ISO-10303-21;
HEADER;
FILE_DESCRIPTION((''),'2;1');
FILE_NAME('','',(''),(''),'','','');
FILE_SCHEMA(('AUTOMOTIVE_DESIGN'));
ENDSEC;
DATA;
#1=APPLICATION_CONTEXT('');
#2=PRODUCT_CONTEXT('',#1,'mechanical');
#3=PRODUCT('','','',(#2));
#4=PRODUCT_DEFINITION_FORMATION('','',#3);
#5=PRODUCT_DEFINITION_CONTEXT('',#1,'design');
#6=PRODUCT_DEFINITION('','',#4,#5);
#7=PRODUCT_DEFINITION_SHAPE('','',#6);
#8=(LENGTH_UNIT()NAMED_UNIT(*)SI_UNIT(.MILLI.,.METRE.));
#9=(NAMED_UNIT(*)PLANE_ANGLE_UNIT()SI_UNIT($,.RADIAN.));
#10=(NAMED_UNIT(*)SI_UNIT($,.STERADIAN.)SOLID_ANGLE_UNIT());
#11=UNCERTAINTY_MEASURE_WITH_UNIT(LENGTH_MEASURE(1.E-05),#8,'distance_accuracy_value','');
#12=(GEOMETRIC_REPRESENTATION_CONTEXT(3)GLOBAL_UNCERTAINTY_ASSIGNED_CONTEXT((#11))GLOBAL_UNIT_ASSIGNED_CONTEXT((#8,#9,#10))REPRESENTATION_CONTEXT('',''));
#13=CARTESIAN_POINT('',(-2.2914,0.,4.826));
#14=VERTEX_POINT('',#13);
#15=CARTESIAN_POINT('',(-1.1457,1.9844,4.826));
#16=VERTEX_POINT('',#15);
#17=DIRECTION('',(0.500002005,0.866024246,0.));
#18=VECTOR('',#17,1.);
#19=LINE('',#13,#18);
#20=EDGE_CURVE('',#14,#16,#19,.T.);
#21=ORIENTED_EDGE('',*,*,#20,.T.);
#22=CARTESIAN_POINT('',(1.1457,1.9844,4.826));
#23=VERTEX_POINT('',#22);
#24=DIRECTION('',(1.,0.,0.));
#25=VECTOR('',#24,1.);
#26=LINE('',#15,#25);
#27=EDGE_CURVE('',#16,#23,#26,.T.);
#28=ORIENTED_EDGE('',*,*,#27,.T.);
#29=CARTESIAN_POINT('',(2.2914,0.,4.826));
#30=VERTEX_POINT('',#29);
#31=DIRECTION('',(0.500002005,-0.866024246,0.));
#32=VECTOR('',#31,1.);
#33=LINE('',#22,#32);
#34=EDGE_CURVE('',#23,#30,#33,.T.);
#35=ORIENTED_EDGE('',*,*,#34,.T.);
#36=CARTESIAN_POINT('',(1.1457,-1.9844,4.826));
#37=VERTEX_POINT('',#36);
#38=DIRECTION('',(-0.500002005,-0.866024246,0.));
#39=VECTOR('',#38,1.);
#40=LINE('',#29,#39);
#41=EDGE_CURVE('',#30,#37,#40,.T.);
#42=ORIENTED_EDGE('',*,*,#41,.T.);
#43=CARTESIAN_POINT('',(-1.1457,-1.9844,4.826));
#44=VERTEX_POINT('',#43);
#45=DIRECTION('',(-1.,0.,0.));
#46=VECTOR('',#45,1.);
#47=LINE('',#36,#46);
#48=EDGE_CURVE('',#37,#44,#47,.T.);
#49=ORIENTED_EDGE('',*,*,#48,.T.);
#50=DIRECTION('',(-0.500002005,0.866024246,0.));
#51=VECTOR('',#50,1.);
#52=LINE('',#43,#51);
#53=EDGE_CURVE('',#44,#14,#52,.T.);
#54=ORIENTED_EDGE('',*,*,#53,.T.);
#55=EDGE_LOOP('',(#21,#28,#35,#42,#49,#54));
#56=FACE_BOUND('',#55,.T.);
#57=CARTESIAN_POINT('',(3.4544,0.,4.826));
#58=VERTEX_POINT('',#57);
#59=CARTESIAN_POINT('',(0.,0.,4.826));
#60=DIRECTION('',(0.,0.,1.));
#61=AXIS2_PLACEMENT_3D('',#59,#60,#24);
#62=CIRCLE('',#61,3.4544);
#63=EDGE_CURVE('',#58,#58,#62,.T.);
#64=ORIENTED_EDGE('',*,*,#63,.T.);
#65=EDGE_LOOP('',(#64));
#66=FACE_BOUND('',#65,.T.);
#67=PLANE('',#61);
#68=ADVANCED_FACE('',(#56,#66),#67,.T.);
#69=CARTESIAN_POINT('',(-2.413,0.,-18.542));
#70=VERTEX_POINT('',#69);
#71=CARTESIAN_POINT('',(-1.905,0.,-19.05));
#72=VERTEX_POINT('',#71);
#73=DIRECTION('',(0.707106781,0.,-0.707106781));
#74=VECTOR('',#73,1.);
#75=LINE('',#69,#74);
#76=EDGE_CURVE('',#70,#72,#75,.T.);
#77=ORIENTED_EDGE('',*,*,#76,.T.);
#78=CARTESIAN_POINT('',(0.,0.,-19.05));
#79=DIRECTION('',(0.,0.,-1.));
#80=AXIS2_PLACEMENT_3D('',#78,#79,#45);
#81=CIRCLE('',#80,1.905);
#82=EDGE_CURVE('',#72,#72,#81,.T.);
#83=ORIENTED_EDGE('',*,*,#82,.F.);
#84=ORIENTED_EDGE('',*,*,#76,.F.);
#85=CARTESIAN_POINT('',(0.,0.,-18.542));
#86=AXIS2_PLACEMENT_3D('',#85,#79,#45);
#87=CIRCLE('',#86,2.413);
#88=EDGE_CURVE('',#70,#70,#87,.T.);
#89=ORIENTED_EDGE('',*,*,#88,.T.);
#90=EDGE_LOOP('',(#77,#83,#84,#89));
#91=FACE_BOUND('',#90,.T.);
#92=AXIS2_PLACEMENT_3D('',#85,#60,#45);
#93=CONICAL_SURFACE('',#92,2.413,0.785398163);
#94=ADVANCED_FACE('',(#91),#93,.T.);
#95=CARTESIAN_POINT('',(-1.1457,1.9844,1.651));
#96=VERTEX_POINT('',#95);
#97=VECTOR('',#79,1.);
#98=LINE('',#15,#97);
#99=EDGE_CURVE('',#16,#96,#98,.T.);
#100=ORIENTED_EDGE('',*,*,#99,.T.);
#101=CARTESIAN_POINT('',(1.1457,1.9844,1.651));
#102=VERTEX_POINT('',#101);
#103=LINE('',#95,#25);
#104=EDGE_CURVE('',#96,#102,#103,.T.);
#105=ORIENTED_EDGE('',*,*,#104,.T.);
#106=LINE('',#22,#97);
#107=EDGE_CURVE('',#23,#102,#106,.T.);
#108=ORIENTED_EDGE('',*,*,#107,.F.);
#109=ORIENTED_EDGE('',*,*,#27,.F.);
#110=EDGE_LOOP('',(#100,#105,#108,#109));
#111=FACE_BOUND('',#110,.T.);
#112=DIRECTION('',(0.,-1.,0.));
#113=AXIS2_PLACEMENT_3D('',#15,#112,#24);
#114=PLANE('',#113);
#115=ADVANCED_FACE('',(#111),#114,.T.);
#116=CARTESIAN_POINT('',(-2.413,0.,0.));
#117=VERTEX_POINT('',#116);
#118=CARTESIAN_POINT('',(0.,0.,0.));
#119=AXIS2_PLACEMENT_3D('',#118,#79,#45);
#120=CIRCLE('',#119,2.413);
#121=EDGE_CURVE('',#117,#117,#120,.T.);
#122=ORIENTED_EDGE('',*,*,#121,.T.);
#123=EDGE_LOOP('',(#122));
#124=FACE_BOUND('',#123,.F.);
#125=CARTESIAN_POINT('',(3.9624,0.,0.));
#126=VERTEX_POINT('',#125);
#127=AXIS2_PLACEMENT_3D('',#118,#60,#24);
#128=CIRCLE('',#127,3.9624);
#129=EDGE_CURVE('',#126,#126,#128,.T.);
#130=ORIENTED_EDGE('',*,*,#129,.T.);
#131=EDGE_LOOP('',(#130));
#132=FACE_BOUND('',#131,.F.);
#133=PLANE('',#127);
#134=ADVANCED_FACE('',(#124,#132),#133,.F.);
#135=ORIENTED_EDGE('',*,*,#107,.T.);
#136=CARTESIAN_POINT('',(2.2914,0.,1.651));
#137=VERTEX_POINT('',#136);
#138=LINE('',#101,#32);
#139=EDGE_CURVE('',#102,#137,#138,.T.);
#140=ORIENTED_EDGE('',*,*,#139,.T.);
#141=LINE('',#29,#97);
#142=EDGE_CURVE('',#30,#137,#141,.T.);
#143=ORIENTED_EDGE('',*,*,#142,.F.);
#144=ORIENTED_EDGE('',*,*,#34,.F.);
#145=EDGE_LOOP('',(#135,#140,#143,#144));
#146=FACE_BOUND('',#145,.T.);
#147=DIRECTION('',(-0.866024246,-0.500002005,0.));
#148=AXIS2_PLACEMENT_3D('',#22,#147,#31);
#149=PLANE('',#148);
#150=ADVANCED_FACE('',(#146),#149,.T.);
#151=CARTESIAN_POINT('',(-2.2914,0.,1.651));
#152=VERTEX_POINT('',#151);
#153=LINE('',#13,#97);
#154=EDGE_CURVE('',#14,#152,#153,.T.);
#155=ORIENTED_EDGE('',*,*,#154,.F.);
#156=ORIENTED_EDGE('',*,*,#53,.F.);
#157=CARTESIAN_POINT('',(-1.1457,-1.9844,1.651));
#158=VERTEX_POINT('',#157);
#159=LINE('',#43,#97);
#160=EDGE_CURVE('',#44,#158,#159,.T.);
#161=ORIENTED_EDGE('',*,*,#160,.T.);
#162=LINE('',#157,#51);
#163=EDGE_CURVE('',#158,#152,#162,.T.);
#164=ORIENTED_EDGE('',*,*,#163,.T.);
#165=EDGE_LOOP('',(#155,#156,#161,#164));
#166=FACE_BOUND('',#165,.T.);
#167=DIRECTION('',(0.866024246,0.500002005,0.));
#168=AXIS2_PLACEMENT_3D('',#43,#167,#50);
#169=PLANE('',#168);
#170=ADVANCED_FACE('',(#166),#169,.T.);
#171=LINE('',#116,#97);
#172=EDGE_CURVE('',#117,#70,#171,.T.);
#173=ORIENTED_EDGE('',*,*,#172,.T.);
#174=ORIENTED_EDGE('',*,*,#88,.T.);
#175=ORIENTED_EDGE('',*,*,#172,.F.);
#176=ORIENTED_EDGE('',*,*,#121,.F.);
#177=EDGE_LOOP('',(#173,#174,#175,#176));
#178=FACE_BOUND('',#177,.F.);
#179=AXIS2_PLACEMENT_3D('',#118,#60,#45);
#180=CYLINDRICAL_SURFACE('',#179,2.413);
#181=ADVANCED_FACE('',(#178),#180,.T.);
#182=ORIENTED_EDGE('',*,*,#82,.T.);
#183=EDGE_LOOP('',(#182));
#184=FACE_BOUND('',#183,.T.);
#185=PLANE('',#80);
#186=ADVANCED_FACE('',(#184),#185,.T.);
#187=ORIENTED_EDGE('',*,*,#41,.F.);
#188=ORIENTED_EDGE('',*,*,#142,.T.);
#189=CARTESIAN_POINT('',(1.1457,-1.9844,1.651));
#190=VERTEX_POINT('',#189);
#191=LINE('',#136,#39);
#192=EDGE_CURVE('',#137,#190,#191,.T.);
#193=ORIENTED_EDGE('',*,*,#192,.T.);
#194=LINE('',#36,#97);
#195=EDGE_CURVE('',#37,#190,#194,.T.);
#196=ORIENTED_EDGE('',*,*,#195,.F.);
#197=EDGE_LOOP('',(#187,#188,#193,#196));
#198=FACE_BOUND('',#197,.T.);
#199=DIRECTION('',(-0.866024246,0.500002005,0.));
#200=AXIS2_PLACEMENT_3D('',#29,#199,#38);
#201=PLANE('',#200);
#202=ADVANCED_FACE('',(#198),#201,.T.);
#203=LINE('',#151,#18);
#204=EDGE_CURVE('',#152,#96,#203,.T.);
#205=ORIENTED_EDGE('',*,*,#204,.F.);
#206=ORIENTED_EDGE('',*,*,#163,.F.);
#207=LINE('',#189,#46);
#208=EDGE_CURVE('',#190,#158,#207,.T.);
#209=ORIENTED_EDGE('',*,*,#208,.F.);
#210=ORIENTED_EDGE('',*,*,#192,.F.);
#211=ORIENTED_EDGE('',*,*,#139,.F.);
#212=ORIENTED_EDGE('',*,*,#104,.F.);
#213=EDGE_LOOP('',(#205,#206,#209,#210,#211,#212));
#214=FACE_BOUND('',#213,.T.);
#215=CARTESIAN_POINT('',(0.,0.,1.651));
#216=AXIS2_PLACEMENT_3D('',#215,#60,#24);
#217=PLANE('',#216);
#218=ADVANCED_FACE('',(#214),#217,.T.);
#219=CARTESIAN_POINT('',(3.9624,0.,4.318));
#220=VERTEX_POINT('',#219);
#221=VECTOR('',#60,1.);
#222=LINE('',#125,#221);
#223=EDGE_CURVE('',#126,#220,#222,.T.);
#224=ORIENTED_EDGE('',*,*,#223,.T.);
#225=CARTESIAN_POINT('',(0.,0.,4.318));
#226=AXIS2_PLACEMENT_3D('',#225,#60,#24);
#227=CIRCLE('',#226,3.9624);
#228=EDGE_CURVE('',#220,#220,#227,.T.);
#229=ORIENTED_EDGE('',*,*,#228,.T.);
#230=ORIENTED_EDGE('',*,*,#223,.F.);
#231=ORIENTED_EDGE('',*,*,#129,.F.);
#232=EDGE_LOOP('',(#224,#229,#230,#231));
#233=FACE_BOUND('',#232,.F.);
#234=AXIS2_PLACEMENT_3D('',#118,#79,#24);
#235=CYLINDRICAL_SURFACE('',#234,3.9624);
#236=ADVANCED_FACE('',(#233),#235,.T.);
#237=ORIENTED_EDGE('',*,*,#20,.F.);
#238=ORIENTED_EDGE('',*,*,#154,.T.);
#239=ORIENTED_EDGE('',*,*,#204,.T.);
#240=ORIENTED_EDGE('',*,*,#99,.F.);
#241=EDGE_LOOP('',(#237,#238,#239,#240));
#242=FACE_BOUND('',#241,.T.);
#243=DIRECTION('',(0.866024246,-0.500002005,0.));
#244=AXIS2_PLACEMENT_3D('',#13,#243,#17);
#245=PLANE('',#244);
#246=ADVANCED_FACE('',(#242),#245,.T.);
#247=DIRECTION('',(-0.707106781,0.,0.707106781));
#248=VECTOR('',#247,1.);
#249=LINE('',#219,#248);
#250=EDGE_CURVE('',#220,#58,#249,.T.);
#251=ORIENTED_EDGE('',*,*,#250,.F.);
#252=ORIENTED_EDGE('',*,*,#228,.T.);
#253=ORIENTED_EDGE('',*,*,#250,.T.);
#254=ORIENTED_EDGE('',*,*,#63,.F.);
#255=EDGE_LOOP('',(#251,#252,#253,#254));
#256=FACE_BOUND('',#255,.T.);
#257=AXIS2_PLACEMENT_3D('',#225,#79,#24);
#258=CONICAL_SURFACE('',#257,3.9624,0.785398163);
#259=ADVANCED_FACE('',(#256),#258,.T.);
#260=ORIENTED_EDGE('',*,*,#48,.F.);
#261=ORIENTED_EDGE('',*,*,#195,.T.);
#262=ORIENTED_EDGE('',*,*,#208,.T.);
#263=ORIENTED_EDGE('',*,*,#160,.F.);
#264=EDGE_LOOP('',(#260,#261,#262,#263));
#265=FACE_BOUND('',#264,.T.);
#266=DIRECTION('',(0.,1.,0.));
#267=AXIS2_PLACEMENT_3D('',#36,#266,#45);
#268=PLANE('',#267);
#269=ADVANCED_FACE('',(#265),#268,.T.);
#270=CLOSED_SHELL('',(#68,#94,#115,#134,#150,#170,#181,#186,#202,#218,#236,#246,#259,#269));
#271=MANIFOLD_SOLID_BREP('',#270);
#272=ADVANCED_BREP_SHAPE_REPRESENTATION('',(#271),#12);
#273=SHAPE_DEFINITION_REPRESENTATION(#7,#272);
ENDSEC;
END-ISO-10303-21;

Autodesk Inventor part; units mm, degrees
ref_plane "YZ Plane" through (0, 0, 0) normal (1, 0, 0) x (0, 1, 0)
ref_plane "XZ Plane" through (0, 0, 0) normal (0, 1, 0) x (-1, 0, 0)
ref_plane "XY Plane" through (0, 0, 0) normal (0, 0, 1) x (1, 0, 0)
sketch "Sketch1" plane through (0, 0, 0) normal (0, 0, 1) x (1, 0, 0)
  circle A0 centre (0, 0) radius 3.9624
  dimension "d0" = 7.9248
extrude "Extrusion1" add sketch "Sketch1" along normal blind 4.826
sketch "Sketch2" plane through (0, 0, 0) normal (0, 0, -1) x (-1, 0, 0)
  circle A0 centre (0, 0) radius 3.9624 projected
  circle A1 centre (0, 0) radius 2.413
  dimension "d3" = 4.826
extrude "Extrusion2" add sketch "Sketch2" along normal blind 19.05 contours A1
sketch "Sketch3" plane through (0, 0, 4.826) normal (0, 0, 1) x (1, 0, 0)
  circle A0 centre (0, 0) radius 3.9624 projected
  line L0 (-1.1457, 1.9844) -> (1.1457, 1.9844)
  line L1 (1.1457, 1.9844) -> (2.2914, 0)
  line L2 (2.2914, 0) -> (1.1457, -1.9844)
  line L3 (1.1457, -1.9844) -> (-1.1457, -1.9844)
  line L4 (-1.1457, -1.9844) -> (-2.2914, 0)
  line L5 (-2.2914, 0) -> (-1.1457, 1.9844)
  dimension "d6" = 3.9688
extrude "Extrusion3" cut sketch "Sketch3" against normal blind 3.175 contours L0 L1 L2 L3 L4 L5
thread "Thread1" size "10-32 UNF" class "2A" standard "ANSI Unified Screw Threads" full length
chamfer "Chamfer1" distance 0.508 angle 45 1 edges at (2.413, 0, -19.05)
chamfer "Chamfer2" distance 0.508 angle 45 1 edges at (-3.9624, 0, 4.826)
properties part number "10-32 x1000" material "Steel"
